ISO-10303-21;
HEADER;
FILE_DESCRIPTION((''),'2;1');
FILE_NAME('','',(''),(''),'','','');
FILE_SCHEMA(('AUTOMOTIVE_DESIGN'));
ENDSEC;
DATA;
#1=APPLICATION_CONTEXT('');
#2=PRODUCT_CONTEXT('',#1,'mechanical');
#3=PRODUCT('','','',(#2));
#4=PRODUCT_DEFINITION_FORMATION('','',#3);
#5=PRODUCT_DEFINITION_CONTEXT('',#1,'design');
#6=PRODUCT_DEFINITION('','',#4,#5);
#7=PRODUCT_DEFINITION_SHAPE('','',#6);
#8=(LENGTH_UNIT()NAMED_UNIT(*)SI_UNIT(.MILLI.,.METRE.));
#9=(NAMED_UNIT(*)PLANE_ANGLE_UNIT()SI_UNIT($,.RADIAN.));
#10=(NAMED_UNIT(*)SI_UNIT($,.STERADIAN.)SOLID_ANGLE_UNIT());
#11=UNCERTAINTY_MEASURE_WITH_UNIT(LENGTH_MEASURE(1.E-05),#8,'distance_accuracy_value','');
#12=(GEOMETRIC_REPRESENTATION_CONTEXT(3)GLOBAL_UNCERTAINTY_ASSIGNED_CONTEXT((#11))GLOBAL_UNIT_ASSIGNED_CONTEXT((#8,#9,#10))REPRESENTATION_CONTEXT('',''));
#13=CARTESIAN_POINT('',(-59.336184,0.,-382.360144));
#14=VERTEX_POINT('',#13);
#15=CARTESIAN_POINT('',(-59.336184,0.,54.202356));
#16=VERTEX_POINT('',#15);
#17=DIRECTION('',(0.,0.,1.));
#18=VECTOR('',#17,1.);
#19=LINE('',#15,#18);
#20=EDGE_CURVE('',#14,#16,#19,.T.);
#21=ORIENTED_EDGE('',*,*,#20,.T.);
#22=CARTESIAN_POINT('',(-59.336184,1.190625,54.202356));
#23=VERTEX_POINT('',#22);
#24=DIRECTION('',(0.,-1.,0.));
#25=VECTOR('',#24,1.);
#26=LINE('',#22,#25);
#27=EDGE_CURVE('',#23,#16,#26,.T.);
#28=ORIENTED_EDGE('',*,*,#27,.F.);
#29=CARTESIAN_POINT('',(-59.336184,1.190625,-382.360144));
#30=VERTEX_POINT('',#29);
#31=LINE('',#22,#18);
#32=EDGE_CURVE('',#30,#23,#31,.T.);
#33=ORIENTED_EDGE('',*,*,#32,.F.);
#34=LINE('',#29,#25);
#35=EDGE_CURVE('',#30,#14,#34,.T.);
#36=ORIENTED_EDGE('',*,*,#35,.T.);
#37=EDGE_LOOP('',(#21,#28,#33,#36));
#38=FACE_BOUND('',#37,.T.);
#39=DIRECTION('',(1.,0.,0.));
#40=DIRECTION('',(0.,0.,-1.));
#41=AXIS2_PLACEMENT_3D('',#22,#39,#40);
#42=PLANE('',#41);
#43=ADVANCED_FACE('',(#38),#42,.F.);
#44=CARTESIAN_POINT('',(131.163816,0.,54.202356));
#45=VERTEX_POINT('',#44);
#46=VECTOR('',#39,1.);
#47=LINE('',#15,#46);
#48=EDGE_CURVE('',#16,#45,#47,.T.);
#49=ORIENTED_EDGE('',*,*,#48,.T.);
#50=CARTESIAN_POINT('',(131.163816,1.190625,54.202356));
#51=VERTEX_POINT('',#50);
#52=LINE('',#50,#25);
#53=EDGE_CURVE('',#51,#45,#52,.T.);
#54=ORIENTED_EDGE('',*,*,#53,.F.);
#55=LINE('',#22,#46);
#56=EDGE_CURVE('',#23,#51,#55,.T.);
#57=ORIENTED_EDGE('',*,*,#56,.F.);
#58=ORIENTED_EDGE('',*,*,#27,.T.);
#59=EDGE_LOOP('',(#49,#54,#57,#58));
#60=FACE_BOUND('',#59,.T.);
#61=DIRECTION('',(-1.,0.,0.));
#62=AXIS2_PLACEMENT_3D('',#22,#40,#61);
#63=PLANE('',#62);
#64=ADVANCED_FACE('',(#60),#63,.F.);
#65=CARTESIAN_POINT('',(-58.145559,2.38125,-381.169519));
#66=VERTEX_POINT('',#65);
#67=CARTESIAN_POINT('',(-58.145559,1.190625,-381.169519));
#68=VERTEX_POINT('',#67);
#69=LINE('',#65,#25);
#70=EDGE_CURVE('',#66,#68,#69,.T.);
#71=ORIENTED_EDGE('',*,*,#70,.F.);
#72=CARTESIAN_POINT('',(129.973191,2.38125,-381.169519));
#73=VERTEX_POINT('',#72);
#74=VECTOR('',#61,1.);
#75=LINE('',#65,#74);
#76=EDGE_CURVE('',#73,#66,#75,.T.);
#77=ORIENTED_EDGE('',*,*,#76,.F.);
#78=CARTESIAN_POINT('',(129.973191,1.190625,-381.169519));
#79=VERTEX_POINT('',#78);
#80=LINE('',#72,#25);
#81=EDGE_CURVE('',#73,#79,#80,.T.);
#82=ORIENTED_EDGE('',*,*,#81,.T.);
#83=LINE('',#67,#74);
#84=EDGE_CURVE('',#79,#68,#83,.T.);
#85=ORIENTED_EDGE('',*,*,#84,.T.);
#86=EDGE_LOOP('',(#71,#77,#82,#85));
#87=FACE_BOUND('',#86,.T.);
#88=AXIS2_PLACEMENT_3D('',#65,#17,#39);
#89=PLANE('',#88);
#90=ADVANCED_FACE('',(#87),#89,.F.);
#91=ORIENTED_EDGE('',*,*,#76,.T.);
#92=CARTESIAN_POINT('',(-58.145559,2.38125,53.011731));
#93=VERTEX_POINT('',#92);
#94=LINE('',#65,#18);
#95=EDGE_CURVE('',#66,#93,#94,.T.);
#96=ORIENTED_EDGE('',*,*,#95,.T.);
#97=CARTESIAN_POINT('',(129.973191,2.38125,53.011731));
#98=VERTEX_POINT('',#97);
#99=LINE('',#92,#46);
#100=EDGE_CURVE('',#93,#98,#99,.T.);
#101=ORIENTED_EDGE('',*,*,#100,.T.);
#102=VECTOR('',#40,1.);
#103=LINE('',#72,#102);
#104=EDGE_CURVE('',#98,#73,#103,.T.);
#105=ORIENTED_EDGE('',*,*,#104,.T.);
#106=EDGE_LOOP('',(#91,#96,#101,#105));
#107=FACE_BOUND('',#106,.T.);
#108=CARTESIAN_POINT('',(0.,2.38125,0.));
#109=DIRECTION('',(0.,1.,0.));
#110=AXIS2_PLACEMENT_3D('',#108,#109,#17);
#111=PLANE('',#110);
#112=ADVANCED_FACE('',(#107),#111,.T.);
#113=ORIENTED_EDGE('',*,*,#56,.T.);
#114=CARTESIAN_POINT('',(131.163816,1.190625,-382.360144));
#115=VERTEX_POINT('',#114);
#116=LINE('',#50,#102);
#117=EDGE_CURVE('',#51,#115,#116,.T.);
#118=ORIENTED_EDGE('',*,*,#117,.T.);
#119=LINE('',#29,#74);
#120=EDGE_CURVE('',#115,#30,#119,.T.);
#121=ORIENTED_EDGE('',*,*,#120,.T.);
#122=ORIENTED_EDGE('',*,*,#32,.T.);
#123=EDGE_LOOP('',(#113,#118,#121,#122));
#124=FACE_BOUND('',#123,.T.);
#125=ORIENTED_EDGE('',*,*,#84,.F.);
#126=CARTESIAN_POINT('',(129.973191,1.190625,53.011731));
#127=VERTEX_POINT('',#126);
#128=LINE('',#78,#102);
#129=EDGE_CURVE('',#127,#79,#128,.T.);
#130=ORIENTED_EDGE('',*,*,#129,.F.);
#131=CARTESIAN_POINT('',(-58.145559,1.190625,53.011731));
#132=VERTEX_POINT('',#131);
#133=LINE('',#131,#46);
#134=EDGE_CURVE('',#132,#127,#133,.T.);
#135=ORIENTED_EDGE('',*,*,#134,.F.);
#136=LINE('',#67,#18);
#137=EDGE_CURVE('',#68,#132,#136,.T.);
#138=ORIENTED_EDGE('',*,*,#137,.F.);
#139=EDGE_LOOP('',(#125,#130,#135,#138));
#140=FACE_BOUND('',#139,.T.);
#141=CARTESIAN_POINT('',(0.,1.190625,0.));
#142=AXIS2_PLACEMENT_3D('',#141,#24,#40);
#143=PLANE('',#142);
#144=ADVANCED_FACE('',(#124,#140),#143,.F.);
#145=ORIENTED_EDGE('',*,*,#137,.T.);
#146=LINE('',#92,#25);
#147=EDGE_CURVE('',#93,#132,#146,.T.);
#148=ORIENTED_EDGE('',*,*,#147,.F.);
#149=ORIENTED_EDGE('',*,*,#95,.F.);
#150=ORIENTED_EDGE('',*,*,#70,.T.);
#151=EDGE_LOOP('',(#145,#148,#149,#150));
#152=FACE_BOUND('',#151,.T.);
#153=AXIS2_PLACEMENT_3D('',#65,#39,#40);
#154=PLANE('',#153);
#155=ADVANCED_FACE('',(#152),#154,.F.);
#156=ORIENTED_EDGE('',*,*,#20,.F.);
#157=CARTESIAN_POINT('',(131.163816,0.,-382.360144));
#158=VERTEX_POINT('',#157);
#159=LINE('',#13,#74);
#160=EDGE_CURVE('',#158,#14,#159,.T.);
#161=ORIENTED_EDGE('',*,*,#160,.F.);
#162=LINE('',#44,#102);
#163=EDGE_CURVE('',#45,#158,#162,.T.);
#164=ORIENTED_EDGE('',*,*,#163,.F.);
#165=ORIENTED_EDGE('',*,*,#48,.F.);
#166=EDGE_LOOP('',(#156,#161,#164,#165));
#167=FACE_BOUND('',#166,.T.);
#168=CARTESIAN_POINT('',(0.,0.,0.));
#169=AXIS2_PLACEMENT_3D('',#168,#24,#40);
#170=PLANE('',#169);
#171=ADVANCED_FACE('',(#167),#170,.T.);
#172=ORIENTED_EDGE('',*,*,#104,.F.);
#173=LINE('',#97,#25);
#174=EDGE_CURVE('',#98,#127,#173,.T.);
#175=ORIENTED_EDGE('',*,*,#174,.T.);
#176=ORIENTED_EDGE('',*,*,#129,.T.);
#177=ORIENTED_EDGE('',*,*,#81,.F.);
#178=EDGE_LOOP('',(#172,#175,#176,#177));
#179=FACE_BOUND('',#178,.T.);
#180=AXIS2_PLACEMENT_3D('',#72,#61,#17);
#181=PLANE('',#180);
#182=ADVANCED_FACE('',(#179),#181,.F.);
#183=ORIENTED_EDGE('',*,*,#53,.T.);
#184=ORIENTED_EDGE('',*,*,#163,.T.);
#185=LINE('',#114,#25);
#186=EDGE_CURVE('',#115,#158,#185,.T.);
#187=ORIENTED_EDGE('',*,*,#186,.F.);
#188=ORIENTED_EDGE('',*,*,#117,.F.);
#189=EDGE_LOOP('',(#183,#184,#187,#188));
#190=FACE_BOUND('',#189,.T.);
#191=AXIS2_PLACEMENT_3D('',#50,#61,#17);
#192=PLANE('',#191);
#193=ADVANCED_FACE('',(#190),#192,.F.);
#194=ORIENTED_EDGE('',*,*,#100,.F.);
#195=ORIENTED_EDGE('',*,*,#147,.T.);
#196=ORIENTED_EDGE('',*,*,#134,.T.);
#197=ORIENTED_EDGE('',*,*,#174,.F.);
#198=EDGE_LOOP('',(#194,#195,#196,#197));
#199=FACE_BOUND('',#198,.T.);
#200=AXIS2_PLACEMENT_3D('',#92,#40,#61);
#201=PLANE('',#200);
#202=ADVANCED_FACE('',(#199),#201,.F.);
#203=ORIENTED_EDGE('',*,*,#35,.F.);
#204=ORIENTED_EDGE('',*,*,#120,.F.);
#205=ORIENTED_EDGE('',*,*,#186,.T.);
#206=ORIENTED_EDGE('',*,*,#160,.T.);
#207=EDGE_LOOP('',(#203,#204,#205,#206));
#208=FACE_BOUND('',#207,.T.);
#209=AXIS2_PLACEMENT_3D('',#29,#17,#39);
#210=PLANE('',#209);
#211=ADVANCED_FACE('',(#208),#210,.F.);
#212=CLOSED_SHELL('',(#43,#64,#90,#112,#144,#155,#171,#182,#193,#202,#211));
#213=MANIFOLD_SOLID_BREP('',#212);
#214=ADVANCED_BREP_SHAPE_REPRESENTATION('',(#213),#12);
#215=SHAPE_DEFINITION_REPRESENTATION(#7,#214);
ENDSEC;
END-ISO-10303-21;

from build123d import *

# Parameters (mm, degrees)
SKETCH1_W           = 190.5
SKETCH1_H           = 436.5625
BOSS_EXTRUDE1_DEPTH = 1.190625
SKETCH2_W           = 188.11875
SKETCH2_H           = 434.18125
BOSS_EXTRUDE2_DEPTH = 1.190625


with BuildPart() as part:
    # Sketch1 → Boss-Extrude1 (new body)
    with BuildSketch(Plane(origin=(0, 0, 0), x_dir=(1, 0, 0), z_dir=(0, 1, 0))):
        with Locations((35.913816213, 164.078893724)):
            Rectangle(SKETCH1_W, SKETCH1_H)
    extrude(amount=BOSS_EXTRUDE1_DEPTH)

    # Sketch2 → Boss-Extrude2 (add)
    with BuildSketch(Plane(origin=(0, 1.190625, 0), x_dir=(1, 0, 0), z_dir=(0, 1, 0))):
        with Locations((35.913816213, 164.078893724)):
            Rectangle(SKETCH2_W, SKETCH2_H)
    extrude(amount=BOSS_EXTRUDE2_DEPTH)


solid = part.part
